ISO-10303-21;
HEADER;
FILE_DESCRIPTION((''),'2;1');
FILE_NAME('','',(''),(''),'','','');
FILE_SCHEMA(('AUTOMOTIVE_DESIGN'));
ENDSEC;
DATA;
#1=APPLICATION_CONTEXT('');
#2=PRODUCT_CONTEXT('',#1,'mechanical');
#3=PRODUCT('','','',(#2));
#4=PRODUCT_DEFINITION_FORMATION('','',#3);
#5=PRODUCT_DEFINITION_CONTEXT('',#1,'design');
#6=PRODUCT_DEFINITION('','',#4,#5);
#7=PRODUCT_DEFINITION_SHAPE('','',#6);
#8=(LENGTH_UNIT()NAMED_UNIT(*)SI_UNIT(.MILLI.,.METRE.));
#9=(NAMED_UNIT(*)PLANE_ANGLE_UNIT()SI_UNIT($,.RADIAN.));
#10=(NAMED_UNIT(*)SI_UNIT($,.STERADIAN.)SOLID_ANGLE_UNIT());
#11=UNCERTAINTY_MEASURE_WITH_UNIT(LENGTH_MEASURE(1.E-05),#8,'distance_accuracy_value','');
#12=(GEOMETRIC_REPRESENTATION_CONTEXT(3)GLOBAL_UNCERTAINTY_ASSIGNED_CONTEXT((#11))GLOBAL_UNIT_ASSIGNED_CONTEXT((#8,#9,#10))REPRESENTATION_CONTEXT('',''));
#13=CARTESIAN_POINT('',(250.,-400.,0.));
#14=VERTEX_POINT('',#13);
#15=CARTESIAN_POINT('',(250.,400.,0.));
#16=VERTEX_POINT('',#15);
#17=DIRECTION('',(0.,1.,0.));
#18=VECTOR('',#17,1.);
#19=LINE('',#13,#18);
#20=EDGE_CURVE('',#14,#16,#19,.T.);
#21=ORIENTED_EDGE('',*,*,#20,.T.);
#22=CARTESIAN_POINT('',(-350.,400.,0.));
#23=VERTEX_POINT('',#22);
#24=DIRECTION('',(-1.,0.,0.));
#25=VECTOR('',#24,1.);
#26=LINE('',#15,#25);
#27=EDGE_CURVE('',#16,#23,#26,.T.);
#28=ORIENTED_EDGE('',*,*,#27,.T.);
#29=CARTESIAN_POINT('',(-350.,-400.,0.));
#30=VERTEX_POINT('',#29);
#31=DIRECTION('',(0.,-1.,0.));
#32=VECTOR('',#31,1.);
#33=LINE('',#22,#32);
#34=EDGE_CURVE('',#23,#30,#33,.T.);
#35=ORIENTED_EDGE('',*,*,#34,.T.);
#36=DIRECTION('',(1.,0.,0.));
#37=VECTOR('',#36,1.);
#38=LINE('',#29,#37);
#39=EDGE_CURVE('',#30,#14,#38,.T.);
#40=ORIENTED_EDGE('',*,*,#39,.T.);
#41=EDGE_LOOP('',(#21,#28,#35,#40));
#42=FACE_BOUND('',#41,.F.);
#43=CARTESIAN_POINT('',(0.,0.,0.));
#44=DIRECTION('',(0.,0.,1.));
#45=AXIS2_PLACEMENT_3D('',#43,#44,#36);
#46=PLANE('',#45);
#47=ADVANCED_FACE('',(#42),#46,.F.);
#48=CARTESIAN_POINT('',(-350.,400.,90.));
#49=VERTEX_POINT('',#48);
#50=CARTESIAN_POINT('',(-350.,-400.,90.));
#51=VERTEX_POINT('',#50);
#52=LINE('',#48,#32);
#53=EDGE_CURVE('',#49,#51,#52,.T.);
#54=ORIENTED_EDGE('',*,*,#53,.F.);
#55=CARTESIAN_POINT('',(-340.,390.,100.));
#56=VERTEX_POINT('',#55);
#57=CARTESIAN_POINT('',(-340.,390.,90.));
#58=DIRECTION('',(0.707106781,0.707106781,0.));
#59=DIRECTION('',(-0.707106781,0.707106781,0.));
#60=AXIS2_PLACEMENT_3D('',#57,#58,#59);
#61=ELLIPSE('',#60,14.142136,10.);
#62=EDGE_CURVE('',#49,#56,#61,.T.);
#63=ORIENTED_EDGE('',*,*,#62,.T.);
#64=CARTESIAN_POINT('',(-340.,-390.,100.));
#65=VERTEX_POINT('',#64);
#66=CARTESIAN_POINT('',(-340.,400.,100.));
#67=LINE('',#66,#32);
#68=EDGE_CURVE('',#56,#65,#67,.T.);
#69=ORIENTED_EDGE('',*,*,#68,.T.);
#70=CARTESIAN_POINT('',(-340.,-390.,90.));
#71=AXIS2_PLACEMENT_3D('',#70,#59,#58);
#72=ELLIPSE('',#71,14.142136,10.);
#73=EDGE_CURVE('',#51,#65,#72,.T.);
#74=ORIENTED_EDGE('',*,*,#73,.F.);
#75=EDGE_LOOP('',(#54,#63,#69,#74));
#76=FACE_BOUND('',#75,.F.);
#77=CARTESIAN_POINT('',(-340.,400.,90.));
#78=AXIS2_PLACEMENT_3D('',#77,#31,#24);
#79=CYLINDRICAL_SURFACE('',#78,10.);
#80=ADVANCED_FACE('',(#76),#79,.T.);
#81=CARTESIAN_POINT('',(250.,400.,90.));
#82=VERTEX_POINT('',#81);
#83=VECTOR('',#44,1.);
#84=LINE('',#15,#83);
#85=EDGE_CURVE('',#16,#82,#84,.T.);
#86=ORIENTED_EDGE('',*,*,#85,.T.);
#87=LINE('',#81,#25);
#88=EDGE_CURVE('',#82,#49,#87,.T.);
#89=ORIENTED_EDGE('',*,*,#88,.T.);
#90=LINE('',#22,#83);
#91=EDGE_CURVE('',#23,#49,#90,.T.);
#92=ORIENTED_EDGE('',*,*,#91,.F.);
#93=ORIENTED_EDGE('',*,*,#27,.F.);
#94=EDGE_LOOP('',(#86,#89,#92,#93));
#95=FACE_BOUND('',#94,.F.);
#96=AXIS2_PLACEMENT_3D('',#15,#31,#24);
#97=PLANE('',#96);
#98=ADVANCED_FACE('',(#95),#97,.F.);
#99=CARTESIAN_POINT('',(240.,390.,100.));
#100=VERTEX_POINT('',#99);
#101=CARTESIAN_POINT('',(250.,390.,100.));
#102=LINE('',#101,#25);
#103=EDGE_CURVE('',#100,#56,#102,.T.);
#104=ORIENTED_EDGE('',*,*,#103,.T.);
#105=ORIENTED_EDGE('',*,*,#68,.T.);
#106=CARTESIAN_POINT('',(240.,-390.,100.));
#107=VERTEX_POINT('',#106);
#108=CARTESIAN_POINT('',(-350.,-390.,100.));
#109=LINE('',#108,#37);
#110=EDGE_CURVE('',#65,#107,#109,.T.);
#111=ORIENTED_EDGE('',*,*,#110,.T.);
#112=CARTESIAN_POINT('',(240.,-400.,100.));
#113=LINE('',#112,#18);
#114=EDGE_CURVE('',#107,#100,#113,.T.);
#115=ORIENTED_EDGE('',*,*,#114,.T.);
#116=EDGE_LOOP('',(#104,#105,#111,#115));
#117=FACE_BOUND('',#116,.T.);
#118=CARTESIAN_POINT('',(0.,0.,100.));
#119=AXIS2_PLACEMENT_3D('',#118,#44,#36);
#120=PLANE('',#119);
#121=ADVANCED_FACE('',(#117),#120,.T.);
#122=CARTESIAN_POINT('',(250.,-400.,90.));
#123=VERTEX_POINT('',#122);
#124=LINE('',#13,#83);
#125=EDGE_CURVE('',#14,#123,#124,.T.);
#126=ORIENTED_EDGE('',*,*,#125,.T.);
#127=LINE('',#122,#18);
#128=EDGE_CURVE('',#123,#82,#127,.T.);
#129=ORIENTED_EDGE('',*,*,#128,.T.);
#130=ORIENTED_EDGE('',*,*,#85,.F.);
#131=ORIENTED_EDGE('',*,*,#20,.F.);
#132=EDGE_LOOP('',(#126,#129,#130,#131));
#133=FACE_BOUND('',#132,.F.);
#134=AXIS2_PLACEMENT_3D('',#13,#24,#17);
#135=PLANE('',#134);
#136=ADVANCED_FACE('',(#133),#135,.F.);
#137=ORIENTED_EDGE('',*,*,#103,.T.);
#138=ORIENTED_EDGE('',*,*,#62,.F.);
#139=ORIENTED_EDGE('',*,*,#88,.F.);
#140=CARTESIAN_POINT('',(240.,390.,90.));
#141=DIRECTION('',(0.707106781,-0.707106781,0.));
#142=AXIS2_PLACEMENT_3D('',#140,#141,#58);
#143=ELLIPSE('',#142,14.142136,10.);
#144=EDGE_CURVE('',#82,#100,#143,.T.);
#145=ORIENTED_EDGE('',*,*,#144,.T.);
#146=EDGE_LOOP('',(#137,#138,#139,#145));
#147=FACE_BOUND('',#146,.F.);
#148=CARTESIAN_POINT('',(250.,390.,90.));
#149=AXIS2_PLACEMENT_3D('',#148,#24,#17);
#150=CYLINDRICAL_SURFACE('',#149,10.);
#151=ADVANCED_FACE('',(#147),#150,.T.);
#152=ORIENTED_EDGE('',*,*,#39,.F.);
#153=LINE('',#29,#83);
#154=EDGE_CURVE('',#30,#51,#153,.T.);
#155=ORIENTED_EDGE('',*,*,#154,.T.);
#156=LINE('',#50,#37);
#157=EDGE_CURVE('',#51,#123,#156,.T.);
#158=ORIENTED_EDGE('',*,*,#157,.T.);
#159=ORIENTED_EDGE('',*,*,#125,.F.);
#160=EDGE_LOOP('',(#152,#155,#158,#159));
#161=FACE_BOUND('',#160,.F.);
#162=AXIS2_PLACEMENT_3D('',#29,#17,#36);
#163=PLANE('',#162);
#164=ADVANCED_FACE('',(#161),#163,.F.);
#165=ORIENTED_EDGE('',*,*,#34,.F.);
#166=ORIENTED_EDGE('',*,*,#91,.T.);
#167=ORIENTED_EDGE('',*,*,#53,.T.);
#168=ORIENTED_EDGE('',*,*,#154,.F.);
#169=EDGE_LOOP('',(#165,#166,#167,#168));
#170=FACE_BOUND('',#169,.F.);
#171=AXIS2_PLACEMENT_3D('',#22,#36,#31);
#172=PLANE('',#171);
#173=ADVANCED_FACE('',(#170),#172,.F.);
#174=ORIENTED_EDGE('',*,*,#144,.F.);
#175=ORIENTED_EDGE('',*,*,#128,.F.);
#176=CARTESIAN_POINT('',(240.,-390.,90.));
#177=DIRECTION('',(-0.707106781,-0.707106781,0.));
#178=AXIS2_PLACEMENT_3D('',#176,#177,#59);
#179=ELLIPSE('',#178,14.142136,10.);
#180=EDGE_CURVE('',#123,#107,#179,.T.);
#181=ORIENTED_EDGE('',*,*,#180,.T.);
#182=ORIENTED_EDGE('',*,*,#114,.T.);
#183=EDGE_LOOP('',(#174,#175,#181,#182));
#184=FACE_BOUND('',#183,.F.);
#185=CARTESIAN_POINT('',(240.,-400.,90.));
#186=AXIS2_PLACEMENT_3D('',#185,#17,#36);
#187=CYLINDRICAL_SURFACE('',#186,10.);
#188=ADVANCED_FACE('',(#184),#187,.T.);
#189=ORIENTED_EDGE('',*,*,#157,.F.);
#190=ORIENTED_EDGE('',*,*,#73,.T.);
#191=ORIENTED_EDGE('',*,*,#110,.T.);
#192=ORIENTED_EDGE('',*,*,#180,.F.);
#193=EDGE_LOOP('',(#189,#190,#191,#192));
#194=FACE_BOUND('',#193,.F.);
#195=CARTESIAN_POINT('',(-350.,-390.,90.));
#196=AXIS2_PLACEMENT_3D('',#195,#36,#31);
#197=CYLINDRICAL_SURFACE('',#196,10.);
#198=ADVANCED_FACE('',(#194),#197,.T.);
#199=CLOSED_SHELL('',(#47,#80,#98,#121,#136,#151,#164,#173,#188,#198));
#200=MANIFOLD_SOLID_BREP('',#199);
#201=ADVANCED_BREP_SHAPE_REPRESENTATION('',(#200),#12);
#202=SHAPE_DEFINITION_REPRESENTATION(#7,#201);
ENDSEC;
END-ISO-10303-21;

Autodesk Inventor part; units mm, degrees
ref_plane "YZ Plane" through (0, 0, 0) normal (1, 0, 0) x (0, 1, 0)
ref_plane "XZ Plane" through (0, 0, 0) normal (0, 1, 0) x (-1, 0, 0)
ref_plane "XY Plane" through (0, 0, 0) normal (0, 0, 1) x (1, 0, 0)
sketch "草圖1" plane through (0, 0, 0) normal (0, 0, 1) x (1, 0, 0)
  circle A0 centre (0, 0) radius 50
  line L0 (250, 400) -> (-350, 400)
  line L1 (-350, 400) -> (-350, -400)
  line L2 (-350, -400) -> (250, -400)
  line L3 (250, -400) -> (250, 400)
  line L4 (250, 400) -> (-350, -400) construction
  line L5 (-350, 400) -> (250, -400) construction
  point P0 (-50, 0)
  dimension "d0" = 100
  dimension "d1" = 600
  dimension "d2" = 800
extrude "擠出1" add sketch "草圖1" along normal blind 100 contours A0 | L3 L2 L1 L0
fillet "圓角1" radius 10 4 edges at (250, 0, 100) (-50, 400, 100) (-50, -400, 100) (-350, 0, 100)
properties part number "Mattress"
